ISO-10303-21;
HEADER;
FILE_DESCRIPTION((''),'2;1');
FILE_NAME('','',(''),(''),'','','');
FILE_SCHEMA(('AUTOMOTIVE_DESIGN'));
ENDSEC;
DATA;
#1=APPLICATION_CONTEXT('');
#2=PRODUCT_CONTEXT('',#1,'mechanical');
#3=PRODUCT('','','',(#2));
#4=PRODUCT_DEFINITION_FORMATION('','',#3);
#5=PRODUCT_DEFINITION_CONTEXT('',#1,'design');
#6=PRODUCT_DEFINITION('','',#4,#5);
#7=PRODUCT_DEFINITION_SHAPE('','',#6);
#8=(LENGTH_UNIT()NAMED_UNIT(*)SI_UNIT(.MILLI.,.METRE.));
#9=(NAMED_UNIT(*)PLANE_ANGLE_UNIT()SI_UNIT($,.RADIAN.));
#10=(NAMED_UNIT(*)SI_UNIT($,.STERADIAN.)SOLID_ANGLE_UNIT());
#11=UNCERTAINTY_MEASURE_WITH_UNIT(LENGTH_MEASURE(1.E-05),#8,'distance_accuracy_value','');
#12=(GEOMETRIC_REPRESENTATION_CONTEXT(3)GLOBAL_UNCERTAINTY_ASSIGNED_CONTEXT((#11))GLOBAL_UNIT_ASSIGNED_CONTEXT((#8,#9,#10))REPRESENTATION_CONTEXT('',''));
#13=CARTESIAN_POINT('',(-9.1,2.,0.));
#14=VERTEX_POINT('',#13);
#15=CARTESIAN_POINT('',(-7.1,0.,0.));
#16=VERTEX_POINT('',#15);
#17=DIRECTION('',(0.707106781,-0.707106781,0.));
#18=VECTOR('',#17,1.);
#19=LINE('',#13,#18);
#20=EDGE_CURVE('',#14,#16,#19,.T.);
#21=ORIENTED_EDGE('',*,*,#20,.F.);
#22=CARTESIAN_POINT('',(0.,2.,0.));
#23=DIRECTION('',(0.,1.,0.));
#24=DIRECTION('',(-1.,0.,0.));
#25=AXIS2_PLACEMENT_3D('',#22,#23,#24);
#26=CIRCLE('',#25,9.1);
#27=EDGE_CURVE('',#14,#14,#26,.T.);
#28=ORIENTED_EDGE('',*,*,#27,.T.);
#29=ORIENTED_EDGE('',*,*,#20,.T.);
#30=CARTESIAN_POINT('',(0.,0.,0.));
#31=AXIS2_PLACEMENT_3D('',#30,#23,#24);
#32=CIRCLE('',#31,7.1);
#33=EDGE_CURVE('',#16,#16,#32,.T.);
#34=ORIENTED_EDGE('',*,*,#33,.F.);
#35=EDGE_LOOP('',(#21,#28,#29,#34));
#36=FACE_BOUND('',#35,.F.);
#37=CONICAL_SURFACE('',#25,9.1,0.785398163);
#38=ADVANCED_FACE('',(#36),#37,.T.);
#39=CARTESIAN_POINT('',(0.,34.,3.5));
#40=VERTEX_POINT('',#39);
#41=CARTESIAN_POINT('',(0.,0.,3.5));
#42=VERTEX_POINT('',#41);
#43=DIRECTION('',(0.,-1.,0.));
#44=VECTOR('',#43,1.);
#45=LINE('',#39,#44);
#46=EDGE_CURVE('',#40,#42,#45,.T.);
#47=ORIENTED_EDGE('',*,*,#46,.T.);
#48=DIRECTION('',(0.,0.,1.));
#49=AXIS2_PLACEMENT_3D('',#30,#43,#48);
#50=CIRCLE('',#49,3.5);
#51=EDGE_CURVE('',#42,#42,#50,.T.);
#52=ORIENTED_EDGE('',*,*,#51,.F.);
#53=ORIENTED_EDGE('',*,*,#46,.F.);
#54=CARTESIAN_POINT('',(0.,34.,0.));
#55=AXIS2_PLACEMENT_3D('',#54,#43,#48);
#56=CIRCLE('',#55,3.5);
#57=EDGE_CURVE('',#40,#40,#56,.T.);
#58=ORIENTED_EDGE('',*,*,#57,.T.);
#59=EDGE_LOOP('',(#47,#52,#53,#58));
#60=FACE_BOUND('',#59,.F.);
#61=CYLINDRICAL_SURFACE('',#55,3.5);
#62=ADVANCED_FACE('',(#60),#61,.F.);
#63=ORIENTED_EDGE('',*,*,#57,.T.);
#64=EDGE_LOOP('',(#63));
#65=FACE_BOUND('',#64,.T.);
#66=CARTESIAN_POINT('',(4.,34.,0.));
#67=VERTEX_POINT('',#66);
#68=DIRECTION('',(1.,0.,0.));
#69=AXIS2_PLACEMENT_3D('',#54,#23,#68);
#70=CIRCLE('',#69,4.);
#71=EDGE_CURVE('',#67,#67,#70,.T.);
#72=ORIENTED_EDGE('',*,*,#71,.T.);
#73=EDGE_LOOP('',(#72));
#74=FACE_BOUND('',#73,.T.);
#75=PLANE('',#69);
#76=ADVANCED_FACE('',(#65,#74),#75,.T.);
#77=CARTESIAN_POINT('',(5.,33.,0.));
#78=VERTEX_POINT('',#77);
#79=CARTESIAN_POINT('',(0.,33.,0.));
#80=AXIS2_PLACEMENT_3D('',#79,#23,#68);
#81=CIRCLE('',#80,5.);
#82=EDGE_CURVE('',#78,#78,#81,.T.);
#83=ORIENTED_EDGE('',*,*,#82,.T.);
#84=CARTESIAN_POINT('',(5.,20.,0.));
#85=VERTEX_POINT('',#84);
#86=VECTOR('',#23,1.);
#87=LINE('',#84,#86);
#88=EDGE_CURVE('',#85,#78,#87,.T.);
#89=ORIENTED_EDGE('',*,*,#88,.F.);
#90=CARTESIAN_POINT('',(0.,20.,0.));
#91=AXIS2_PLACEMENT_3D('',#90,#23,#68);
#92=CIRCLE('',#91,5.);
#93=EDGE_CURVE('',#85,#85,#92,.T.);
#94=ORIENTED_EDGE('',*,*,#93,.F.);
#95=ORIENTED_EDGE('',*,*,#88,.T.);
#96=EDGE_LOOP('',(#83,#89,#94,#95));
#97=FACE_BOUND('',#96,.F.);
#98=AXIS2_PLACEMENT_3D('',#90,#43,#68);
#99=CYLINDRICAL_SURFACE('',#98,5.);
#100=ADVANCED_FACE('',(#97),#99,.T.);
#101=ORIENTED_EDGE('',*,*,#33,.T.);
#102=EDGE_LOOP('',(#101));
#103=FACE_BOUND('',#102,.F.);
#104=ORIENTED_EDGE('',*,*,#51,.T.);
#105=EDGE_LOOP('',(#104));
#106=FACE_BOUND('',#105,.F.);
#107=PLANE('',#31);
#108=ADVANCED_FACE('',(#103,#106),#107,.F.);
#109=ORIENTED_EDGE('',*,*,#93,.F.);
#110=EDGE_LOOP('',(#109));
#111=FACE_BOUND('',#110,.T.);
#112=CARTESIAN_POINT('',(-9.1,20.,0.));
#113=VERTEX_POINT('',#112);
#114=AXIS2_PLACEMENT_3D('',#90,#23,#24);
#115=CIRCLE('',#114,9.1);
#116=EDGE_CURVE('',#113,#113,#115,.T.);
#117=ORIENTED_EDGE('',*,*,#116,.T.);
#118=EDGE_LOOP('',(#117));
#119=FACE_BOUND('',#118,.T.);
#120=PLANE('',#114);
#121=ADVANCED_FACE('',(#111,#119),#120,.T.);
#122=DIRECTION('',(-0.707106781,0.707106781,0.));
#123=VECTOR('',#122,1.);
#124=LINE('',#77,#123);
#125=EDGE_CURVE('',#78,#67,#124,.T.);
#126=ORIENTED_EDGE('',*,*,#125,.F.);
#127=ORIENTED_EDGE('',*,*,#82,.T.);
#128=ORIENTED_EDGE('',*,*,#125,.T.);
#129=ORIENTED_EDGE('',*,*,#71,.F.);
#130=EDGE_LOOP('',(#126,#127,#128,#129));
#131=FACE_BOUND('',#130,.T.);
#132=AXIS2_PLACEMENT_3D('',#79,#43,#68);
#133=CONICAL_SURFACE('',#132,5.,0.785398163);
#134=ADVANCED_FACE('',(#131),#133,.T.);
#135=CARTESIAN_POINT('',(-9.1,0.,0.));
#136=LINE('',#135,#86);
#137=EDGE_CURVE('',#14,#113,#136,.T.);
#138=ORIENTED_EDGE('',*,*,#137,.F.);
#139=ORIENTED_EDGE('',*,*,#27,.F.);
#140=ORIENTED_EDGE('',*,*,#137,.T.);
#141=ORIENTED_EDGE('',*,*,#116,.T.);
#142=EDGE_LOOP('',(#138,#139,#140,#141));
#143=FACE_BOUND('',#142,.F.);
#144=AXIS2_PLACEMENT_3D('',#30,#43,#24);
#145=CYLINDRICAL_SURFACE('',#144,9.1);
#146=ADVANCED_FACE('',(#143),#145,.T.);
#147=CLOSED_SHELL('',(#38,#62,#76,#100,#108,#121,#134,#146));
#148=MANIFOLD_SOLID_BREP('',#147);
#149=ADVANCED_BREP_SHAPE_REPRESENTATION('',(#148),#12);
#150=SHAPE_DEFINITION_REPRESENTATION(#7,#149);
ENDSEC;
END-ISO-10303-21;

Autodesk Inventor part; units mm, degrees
ref_plane "YZ Plane" through (0, 0, 0) normal (1, 0, 0) x (0, 1, 0)
ref_plane "XZ Plane" through (0, 0, 0) normal (0, 1, 0) x (-1, 0, 0)
ref_plane "XY Plane" through (0, 0, 0) normal (0, 0, 1) x (1, 0, 0)
sketch "Boceto1" plane through (0, 0, 0) normal (0, 1, 0) x (-1, 0, 0)
  circle A0 centre (0, 0) radius 9.1
  dimension "d0" = 18.2
extrude "Extrusión1" add sketch "Boceto1" along normal blind 20
sketch "Boceto2" plane through (0, 20, 0) normal (0, 1, 0) x (1, 0, 0)
  circle A0 centre (0, 0) radius 5
  dimension "d3" = 10
extrude "Extrusión2" add sketch "Boceto2" along normal blind 14
sketch "Boceto3" plane through (0, 34, 0) normal (0, 1, 0) x (1, 0, 0)
  circle A0 centre (0, 0) radius 5 projected
hole "Agujero1" at (0, 34, 0) direction (0, -1, 0) diameter 7 end through all
chamfer "Chaflán1" distance 2 angle 45 1 edges at (9.1, 0, 0)
chamfer "Chaflán2" distance 1 angle 45 1 edges at (-5, 34, 0)
thread "Rosca1" size "M10x1.5" class "6g" standard "ANSI Metric M Profile" full length
properties part number "Acople E27"
